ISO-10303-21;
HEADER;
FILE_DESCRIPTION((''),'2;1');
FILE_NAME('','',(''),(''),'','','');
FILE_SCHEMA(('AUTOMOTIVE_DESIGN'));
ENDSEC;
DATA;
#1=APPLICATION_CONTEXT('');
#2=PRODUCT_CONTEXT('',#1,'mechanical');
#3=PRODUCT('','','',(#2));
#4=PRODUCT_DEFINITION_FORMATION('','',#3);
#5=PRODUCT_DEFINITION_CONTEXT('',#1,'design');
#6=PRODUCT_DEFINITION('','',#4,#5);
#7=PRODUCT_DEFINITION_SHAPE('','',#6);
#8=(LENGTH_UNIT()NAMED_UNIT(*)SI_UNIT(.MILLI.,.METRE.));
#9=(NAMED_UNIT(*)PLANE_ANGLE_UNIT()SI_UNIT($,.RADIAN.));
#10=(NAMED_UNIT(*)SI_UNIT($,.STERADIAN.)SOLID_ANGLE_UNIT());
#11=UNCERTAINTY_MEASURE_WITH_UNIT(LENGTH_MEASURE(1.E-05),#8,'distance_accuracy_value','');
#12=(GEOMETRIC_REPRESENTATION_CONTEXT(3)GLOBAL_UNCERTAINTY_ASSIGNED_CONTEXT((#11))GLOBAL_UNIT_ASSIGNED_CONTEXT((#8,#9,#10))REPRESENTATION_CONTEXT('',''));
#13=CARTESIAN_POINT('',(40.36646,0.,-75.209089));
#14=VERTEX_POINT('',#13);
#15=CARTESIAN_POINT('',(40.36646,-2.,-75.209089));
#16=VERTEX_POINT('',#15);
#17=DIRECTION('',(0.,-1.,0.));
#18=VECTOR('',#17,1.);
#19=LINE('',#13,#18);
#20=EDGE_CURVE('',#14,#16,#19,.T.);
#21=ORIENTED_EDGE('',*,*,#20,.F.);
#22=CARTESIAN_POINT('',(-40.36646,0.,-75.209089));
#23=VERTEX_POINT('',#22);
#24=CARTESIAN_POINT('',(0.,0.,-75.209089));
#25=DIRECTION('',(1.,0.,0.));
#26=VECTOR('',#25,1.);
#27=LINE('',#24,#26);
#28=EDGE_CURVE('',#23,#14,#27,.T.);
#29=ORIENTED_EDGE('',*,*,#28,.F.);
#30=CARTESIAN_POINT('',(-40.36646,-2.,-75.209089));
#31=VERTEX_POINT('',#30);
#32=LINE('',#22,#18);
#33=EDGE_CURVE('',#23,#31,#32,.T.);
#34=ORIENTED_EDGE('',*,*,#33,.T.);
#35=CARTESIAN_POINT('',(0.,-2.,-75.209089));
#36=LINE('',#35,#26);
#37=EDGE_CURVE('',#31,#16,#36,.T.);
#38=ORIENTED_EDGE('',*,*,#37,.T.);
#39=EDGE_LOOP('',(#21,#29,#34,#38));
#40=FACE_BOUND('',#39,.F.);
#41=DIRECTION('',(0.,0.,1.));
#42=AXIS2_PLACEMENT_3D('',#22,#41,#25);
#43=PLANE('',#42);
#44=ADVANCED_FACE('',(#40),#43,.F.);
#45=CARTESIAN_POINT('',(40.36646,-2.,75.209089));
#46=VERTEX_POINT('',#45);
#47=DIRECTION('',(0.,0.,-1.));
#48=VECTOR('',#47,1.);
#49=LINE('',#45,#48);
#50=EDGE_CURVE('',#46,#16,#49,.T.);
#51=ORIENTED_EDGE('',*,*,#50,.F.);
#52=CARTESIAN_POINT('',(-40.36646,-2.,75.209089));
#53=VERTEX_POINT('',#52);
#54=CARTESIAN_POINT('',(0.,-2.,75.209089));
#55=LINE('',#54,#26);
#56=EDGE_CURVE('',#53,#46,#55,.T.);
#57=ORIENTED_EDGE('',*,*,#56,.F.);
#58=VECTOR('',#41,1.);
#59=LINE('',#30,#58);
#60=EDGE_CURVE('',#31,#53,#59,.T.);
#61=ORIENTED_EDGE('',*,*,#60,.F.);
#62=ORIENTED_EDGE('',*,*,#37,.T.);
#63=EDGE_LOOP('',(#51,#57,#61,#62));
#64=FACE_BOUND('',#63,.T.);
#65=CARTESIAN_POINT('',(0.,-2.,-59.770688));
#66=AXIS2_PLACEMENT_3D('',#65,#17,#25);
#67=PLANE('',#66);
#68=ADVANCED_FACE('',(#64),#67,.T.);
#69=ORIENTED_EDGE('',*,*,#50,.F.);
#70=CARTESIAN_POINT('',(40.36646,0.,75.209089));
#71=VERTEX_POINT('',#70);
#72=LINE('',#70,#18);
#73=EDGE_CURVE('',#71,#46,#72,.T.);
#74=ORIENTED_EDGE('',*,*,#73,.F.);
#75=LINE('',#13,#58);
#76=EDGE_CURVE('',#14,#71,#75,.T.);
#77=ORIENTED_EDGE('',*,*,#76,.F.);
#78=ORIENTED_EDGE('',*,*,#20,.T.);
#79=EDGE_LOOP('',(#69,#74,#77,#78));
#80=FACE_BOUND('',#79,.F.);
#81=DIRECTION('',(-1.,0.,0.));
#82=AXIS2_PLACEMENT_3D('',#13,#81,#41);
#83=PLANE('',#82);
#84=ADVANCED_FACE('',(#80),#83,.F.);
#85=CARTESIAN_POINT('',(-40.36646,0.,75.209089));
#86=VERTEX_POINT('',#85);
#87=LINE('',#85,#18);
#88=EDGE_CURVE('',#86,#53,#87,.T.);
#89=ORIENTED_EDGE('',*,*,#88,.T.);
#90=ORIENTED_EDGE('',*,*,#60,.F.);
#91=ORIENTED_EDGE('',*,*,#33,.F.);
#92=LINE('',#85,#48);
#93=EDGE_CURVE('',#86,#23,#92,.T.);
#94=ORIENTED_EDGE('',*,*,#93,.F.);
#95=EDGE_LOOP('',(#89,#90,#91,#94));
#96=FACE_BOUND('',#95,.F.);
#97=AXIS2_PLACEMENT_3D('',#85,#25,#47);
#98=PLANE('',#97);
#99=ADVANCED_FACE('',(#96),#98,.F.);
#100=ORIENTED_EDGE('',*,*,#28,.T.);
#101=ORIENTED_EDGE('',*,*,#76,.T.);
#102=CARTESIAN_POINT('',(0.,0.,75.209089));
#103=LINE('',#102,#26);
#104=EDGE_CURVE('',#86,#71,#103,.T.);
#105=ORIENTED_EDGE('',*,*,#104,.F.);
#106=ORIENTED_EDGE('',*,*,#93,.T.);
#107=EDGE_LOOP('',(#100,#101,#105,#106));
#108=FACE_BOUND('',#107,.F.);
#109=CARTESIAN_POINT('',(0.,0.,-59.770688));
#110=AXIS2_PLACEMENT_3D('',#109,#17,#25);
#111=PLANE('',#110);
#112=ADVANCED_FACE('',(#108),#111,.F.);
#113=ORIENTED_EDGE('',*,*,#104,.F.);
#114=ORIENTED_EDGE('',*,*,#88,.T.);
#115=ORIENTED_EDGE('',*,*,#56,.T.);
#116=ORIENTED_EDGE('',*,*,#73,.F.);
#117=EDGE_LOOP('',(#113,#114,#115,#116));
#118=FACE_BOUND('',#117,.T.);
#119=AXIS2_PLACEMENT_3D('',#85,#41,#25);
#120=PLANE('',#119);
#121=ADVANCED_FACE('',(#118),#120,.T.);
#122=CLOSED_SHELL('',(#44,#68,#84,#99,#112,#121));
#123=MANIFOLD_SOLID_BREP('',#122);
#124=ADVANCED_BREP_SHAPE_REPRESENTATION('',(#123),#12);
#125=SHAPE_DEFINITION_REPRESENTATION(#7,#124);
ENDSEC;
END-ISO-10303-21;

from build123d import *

# Parameters (mm, degrees)
F0_W     = 80.7329192758
F0_H     = 10.7643902302
F0_H_2   = 10.4811191559
F0_H_3   = 10.7643865049
F1_DEPTH = 2
F0_H_4   = 10.197840631
F0_H_5   = 54.6717643738
F2_DEPTH = 2


with BuildPart() as f1:
    # F0 (on Front) → F1 (new body)
    with BuildSketch(Plane.XZ):
        with Locations((0, 69.8268935084)):
            Rectangle(F0_W, F0_H)
        with Locations((0, 59.2041388154)):
            Rectangle(F0_W, F0_H_2)
        with Locations((0, 48.581385985)):
            Rectangle(F0_W, F0_H_3)
        with Locations((0, 37.8169976175)):
            Rectangle(F0_W, F0_H)
    extrude(amount=F1_DEPTH)

    # F0 (on Front) → F2 (join)
    with BuildSketch(Plane.XZ):
        with Locations((0, -59.7706884146)):
            Rectangle(F0_W, F0_H_2)
        with Locations((0, 37.8169976175)):
            Rectangle(F0_W, F0_H)
        with Locations((0, 48.581385985)):
            Rectangle(F0_W, F0_H_3)
        with Locations((0, 69.8268935084)):
            Rectangle(F0_W, F0_H)
        with Locations((0, -49.1479337215)):
            Rectangle(F0_W, F0_H)
        with Locations((0, -38.383545354)):
            Rectangle(F0_W, F0_H_3)
        with Locations((0, -70.110168308)):
            Rectangle(F0_W, F0_H_4)
        with Locations((0, -27.6191569865)):
            Rectangle(F0_W, F0_H)
        with Locations((0, 59.2041388154)):
            Rectangle(F0_W, F0_H_2)
        with Locations((0, 5.0989203155)):
            Rectangle(F0_W, F0_H_5)
    extrude(amount=F2_DEPTH)


solid = f1.part
